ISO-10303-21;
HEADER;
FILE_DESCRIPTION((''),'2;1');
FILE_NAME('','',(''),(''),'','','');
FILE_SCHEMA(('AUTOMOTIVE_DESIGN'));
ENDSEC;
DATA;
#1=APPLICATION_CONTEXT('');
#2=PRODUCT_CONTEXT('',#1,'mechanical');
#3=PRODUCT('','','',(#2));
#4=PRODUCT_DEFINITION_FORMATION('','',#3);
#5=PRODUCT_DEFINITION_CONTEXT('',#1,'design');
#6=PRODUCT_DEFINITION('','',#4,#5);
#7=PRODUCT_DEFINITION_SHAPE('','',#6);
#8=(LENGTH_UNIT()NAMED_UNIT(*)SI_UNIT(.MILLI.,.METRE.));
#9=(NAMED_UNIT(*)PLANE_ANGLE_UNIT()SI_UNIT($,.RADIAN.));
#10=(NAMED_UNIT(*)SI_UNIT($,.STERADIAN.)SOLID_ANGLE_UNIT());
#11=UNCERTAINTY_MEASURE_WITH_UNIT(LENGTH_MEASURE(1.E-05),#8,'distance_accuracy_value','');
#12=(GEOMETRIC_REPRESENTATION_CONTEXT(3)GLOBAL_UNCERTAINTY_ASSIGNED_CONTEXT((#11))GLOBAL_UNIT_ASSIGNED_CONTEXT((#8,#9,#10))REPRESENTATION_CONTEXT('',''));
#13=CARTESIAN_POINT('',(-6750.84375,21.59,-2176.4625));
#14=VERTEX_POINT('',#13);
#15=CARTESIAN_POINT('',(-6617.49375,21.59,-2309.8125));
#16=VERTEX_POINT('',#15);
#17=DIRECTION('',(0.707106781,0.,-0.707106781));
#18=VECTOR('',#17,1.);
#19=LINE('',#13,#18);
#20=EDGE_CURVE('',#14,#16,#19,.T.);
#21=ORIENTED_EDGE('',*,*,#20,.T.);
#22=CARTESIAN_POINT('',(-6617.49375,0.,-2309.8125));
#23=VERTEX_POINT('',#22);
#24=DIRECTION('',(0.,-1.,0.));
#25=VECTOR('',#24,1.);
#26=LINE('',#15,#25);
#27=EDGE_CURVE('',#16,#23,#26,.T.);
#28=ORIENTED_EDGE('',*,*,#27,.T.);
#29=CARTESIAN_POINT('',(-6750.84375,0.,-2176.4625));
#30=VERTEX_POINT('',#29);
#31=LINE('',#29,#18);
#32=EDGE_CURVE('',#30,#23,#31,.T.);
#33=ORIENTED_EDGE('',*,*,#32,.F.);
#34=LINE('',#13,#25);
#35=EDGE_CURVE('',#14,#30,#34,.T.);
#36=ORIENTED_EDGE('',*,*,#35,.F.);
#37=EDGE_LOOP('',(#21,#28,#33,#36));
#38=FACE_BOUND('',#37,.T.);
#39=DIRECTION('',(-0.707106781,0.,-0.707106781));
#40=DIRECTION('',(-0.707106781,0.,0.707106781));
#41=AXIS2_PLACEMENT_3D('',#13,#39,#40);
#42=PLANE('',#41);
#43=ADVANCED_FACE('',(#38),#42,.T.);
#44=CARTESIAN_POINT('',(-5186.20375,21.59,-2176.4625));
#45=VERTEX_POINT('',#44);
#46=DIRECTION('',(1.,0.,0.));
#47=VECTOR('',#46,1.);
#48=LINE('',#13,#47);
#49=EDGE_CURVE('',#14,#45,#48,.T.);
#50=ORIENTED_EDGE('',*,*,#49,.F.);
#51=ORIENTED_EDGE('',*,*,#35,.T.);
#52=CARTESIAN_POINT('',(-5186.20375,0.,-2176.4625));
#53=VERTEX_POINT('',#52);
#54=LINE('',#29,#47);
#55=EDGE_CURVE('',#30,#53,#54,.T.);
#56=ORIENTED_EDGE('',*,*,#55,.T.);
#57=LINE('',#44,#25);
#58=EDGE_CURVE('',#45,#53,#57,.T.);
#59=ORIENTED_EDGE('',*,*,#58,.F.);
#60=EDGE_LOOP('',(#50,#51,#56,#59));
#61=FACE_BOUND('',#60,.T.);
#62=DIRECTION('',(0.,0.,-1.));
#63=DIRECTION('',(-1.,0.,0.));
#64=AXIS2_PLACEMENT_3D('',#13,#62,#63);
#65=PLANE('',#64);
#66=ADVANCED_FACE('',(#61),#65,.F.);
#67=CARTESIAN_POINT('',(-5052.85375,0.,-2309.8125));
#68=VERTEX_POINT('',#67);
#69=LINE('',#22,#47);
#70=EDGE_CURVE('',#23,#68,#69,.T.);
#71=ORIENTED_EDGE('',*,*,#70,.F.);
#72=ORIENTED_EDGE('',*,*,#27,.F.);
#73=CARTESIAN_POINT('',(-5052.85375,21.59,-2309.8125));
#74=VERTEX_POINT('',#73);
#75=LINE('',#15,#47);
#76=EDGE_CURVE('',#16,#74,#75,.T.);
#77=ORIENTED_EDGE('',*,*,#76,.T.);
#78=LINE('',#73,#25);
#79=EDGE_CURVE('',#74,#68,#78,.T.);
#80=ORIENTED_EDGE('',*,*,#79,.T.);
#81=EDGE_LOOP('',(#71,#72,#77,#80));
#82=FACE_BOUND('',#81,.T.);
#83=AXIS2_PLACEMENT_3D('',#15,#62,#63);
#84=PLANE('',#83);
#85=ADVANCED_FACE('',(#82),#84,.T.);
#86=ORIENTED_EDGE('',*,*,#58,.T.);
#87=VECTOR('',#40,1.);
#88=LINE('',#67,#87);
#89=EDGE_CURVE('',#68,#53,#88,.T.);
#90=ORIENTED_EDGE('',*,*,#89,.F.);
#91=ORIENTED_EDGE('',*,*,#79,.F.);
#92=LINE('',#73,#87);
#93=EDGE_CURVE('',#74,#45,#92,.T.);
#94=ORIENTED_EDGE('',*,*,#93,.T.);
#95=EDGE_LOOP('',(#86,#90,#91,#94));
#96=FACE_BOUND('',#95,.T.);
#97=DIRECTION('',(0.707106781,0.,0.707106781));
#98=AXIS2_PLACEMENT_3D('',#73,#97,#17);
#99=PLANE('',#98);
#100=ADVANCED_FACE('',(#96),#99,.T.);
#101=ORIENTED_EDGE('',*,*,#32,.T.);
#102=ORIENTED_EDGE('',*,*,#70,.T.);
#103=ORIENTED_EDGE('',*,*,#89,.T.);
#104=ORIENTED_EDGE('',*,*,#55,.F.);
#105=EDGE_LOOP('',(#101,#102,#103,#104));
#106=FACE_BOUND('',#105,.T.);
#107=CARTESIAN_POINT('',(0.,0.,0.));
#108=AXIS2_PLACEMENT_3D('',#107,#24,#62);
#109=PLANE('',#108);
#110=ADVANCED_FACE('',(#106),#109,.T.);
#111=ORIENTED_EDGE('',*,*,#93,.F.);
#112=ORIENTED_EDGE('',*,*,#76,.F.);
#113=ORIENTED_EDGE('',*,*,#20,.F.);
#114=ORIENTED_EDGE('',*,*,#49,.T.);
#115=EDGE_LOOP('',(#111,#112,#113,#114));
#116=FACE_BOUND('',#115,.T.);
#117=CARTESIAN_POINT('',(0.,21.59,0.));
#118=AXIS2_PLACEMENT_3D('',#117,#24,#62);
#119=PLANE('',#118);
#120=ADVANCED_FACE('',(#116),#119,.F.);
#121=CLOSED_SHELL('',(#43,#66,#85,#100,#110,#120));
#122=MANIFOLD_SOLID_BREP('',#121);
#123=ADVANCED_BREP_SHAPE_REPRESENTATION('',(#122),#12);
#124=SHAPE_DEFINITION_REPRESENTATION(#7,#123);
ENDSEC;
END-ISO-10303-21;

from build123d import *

# Parameters (mm, degrees)
BOSS_EXTRUDE1_DEPTH = 21.59


with BuildPart() as part:
    # Sketch2 → Boss-Extrude1 (new body)
    with BuildSketch(Plane(origin=(0, 0, 0), x_dir=(1, 0, 0), z_dir=(0, 1, 0))):
        Polygon((-6617.49375, 2309.8125), (-5052.85375, 2309.8125), (-5186.20375, 2176.4625), (-6750.84375, 2176.4625), align=None)
    extrude(amount=BOSS_EXTRUDE1_DEPTH)


solid = part.part
